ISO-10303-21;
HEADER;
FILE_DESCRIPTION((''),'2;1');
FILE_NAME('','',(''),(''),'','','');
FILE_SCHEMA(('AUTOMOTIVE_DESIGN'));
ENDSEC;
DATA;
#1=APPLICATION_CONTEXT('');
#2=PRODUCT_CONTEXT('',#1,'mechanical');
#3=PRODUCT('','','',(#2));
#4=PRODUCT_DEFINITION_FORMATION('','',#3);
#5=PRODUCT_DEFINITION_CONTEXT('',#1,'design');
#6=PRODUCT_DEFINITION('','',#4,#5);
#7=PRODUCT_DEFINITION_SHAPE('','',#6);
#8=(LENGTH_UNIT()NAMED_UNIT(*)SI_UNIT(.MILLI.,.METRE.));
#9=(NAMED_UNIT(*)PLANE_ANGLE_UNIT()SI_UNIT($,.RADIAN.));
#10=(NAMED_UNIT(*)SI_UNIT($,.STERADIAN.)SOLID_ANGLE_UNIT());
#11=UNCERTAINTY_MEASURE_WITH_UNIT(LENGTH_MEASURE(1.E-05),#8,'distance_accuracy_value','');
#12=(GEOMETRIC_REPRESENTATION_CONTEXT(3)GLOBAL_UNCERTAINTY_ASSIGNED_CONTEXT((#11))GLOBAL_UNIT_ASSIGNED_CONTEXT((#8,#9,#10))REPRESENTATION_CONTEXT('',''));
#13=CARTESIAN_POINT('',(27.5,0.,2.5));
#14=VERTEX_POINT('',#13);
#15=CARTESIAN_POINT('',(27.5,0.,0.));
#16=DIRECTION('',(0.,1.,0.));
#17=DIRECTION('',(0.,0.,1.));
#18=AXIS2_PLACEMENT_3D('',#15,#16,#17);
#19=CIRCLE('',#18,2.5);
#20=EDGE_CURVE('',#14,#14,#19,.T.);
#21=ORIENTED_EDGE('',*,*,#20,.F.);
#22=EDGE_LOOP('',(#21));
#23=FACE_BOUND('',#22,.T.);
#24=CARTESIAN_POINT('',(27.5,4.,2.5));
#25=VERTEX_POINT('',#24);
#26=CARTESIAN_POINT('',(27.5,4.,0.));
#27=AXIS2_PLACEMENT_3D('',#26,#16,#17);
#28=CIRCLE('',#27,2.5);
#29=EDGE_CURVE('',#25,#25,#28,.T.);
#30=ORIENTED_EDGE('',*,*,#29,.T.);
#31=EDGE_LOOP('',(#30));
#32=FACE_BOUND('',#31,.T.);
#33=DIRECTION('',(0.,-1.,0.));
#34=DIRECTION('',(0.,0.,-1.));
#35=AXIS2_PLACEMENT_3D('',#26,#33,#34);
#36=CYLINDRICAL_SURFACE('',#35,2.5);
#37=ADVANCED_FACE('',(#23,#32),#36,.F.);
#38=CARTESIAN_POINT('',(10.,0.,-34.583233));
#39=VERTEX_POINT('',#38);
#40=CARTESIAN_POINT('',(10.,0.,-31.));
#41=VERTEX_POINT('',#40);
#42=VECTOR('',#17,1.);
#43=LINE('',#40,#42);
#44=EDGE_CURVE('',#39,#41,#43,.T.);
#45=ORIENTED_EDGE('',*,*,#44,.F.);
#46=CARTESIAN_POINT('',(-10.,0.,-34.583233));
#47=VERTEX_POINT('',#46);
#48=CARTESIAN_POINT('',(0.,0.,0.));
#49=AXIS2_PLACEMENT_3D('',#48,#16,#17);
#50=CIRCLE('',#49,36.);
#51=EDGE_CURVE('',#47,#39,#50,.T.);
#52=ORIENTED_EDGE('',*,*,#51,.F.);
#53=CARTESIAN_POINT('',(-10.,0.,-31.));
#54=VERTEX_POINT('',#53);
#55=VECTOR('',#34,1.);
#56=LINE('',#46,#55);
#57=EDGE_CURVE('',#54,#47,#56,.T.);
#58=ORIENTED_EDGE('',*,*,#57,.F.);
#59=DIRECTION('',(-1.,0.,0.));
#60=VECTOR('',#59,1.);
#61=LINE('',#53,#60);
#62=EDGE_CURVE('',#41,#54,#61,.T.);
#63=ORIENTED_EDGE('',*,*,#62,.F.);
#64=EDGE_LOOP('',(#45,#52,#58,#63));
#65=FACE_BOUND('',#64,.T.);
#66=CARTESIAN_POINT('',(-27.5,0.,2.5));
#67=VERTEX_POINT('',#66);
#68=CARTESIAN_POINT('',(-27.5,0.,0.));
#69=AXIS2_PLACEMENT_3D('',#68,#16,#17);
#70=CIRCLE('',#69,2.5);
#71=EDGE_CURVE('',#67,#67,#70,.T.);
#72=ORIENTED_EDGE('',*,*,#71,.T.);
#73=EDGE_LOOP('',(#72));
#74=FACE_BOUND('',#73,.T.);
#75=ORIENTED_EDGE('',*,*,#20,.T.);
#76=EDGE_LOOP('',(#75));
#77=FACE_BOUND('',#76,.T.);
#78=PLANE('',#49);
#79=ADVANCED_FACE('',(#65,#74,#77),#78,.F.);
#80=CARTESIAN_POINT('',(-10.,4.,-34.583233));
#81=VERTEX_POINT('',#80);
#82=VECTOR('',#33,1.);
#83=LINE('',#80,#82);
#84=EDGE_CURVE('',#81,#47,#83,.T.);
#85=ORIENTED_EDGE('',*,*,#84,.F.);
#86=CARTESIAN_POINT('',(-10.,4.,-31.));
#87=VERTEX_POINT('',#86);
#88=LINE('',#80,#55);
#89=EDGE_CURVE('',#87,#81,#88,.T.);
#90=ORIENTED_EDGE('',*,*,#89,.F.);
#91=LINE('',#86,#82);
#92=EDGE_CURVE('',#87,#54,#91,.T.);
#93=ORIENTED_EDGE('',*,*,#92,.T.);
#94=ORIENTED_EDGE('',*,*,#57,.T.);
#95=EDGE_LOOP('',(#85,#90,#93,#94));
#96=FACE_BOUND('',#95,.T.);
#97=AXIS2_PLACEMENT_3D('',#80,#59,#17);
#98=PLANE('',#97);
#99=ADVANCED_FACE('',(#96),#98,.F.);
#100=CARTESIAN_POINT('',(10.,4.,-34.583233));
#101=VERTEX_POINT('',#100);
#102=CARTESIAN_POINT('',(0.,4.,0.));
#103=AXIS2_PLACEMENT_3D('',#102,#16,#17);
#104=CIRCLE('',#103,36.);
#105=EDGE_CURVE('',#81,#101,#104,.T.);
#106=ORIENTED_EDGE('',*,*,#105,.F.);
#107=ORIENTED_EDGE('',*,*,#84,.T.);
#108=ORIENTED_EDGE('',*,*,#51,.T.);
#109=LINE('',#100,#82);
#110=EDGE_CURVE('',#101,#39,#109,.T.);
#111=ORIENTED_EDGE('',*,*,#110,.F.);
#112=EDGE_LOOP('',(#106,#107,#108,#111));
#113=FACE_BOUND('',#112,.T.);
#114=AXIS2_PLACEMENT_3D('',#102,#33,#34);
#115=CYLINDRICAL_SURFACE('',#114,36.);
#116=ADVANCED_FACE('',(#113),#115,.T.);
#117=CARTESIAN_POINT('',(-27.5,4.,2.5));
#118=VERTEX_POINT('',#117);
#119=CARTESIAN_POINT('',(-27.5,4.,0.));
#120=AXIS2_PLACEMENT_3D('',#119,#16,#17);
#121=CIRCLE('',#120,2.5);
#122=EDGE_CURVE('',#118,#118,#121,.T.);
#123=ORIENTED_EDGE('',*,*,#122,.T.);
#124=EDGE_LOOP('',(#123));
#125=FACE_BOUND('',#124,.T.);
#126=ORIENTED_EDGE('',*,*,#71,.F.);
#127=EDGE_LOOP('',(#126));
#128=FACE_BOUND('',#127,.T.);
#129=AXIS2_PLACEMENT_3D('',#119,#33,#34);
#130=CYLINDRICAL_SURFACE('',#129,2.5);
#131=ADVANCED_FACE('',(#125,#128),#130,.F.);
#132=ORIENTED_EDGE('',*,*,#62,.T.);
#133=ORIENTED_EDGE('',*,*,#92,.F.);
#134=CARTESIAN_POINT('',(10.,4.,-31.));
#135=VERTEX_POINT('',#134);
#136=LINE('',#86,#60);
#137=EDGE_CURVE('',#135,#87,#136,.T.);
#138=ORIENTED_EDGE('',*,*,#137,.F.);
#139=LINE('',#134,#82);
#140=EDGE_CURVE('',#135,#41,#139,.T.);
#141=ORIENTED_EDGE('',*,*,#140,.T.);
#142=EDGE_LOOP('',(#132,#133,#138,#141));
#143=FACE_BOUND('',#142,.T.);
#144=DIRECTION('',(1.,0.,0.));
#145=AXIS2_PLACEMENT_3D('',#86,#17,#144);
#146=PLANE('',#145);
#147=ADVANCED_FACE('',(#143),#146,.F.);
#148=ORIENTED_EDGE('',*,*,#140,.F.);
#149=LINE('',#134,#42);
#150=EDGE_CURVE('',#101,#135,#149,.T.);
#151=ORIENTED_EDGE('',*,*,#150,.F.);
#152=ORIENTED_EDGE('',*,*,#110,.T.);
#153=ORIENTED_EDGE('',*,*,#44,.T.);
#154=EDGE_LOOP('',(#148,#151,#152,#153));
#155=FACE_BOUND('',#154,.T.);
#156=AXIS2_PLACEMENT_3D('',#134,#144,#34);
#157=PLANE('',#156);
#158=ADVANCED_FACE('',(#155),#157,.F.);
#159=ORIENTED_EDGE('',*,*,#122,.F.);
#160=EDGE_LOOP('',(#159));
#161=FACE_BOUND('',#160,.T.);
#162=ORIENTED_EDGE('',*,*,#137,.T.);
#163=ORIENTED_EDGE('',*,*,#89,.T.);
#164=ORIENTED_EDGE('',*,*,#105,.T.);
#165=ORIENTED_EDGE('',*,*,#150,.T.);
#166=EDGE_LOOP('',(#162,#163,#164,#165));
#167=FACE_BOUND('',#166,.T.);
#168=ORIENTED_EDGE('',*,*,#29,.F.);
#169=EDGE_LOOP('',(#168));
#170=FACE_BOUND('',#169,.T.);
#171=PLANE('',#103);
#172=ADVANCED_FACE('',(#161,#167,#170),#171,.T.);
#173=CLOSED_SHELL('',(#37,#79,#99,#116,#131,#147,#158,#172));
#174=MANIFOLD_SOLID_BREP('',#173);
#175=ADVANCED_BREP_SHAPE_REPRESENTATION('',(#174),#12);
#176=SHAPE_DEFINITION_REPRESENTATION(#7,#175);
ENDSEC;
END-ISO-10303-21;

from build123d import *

# Parameters (mm, degrees)
SKETCH1_R           = 2.5
BOSS_EXTRUDE1_DEPTH = 4


with BuildPart() as part:
    # Sketch1 → Boss-Extrude1 (new body)
    with BuildSketch(Plane(origin=(0, 0, 0), x_dir=(1, 0, 0), z_dir=(0, 1, 0))):
        with BuildLine():
            Line((-10, 34.583232932), (-10, 31))
            Line((-10, 31), (10, 31))
            Line((10, 31), (10, 34.583232932))
            ThreePointArc((10, 34.583232932), (0, -36), (-10, 34.583232932))
        make_face()
        with Locations(Location((-27.5, 0, 0), (0, 0, 270))):
            Circle(SKETCH1_R, mode=Mode.SUBTRACT)
        with Locations(Location((27.5, 0, 0), (0, 0, 270))):
            Circle(SKETCH1_R, mode=Mode.SUBTRACT)
    extrude(amount=BOSS_EXTRUDE1_DEPTH)


solid = part.part
